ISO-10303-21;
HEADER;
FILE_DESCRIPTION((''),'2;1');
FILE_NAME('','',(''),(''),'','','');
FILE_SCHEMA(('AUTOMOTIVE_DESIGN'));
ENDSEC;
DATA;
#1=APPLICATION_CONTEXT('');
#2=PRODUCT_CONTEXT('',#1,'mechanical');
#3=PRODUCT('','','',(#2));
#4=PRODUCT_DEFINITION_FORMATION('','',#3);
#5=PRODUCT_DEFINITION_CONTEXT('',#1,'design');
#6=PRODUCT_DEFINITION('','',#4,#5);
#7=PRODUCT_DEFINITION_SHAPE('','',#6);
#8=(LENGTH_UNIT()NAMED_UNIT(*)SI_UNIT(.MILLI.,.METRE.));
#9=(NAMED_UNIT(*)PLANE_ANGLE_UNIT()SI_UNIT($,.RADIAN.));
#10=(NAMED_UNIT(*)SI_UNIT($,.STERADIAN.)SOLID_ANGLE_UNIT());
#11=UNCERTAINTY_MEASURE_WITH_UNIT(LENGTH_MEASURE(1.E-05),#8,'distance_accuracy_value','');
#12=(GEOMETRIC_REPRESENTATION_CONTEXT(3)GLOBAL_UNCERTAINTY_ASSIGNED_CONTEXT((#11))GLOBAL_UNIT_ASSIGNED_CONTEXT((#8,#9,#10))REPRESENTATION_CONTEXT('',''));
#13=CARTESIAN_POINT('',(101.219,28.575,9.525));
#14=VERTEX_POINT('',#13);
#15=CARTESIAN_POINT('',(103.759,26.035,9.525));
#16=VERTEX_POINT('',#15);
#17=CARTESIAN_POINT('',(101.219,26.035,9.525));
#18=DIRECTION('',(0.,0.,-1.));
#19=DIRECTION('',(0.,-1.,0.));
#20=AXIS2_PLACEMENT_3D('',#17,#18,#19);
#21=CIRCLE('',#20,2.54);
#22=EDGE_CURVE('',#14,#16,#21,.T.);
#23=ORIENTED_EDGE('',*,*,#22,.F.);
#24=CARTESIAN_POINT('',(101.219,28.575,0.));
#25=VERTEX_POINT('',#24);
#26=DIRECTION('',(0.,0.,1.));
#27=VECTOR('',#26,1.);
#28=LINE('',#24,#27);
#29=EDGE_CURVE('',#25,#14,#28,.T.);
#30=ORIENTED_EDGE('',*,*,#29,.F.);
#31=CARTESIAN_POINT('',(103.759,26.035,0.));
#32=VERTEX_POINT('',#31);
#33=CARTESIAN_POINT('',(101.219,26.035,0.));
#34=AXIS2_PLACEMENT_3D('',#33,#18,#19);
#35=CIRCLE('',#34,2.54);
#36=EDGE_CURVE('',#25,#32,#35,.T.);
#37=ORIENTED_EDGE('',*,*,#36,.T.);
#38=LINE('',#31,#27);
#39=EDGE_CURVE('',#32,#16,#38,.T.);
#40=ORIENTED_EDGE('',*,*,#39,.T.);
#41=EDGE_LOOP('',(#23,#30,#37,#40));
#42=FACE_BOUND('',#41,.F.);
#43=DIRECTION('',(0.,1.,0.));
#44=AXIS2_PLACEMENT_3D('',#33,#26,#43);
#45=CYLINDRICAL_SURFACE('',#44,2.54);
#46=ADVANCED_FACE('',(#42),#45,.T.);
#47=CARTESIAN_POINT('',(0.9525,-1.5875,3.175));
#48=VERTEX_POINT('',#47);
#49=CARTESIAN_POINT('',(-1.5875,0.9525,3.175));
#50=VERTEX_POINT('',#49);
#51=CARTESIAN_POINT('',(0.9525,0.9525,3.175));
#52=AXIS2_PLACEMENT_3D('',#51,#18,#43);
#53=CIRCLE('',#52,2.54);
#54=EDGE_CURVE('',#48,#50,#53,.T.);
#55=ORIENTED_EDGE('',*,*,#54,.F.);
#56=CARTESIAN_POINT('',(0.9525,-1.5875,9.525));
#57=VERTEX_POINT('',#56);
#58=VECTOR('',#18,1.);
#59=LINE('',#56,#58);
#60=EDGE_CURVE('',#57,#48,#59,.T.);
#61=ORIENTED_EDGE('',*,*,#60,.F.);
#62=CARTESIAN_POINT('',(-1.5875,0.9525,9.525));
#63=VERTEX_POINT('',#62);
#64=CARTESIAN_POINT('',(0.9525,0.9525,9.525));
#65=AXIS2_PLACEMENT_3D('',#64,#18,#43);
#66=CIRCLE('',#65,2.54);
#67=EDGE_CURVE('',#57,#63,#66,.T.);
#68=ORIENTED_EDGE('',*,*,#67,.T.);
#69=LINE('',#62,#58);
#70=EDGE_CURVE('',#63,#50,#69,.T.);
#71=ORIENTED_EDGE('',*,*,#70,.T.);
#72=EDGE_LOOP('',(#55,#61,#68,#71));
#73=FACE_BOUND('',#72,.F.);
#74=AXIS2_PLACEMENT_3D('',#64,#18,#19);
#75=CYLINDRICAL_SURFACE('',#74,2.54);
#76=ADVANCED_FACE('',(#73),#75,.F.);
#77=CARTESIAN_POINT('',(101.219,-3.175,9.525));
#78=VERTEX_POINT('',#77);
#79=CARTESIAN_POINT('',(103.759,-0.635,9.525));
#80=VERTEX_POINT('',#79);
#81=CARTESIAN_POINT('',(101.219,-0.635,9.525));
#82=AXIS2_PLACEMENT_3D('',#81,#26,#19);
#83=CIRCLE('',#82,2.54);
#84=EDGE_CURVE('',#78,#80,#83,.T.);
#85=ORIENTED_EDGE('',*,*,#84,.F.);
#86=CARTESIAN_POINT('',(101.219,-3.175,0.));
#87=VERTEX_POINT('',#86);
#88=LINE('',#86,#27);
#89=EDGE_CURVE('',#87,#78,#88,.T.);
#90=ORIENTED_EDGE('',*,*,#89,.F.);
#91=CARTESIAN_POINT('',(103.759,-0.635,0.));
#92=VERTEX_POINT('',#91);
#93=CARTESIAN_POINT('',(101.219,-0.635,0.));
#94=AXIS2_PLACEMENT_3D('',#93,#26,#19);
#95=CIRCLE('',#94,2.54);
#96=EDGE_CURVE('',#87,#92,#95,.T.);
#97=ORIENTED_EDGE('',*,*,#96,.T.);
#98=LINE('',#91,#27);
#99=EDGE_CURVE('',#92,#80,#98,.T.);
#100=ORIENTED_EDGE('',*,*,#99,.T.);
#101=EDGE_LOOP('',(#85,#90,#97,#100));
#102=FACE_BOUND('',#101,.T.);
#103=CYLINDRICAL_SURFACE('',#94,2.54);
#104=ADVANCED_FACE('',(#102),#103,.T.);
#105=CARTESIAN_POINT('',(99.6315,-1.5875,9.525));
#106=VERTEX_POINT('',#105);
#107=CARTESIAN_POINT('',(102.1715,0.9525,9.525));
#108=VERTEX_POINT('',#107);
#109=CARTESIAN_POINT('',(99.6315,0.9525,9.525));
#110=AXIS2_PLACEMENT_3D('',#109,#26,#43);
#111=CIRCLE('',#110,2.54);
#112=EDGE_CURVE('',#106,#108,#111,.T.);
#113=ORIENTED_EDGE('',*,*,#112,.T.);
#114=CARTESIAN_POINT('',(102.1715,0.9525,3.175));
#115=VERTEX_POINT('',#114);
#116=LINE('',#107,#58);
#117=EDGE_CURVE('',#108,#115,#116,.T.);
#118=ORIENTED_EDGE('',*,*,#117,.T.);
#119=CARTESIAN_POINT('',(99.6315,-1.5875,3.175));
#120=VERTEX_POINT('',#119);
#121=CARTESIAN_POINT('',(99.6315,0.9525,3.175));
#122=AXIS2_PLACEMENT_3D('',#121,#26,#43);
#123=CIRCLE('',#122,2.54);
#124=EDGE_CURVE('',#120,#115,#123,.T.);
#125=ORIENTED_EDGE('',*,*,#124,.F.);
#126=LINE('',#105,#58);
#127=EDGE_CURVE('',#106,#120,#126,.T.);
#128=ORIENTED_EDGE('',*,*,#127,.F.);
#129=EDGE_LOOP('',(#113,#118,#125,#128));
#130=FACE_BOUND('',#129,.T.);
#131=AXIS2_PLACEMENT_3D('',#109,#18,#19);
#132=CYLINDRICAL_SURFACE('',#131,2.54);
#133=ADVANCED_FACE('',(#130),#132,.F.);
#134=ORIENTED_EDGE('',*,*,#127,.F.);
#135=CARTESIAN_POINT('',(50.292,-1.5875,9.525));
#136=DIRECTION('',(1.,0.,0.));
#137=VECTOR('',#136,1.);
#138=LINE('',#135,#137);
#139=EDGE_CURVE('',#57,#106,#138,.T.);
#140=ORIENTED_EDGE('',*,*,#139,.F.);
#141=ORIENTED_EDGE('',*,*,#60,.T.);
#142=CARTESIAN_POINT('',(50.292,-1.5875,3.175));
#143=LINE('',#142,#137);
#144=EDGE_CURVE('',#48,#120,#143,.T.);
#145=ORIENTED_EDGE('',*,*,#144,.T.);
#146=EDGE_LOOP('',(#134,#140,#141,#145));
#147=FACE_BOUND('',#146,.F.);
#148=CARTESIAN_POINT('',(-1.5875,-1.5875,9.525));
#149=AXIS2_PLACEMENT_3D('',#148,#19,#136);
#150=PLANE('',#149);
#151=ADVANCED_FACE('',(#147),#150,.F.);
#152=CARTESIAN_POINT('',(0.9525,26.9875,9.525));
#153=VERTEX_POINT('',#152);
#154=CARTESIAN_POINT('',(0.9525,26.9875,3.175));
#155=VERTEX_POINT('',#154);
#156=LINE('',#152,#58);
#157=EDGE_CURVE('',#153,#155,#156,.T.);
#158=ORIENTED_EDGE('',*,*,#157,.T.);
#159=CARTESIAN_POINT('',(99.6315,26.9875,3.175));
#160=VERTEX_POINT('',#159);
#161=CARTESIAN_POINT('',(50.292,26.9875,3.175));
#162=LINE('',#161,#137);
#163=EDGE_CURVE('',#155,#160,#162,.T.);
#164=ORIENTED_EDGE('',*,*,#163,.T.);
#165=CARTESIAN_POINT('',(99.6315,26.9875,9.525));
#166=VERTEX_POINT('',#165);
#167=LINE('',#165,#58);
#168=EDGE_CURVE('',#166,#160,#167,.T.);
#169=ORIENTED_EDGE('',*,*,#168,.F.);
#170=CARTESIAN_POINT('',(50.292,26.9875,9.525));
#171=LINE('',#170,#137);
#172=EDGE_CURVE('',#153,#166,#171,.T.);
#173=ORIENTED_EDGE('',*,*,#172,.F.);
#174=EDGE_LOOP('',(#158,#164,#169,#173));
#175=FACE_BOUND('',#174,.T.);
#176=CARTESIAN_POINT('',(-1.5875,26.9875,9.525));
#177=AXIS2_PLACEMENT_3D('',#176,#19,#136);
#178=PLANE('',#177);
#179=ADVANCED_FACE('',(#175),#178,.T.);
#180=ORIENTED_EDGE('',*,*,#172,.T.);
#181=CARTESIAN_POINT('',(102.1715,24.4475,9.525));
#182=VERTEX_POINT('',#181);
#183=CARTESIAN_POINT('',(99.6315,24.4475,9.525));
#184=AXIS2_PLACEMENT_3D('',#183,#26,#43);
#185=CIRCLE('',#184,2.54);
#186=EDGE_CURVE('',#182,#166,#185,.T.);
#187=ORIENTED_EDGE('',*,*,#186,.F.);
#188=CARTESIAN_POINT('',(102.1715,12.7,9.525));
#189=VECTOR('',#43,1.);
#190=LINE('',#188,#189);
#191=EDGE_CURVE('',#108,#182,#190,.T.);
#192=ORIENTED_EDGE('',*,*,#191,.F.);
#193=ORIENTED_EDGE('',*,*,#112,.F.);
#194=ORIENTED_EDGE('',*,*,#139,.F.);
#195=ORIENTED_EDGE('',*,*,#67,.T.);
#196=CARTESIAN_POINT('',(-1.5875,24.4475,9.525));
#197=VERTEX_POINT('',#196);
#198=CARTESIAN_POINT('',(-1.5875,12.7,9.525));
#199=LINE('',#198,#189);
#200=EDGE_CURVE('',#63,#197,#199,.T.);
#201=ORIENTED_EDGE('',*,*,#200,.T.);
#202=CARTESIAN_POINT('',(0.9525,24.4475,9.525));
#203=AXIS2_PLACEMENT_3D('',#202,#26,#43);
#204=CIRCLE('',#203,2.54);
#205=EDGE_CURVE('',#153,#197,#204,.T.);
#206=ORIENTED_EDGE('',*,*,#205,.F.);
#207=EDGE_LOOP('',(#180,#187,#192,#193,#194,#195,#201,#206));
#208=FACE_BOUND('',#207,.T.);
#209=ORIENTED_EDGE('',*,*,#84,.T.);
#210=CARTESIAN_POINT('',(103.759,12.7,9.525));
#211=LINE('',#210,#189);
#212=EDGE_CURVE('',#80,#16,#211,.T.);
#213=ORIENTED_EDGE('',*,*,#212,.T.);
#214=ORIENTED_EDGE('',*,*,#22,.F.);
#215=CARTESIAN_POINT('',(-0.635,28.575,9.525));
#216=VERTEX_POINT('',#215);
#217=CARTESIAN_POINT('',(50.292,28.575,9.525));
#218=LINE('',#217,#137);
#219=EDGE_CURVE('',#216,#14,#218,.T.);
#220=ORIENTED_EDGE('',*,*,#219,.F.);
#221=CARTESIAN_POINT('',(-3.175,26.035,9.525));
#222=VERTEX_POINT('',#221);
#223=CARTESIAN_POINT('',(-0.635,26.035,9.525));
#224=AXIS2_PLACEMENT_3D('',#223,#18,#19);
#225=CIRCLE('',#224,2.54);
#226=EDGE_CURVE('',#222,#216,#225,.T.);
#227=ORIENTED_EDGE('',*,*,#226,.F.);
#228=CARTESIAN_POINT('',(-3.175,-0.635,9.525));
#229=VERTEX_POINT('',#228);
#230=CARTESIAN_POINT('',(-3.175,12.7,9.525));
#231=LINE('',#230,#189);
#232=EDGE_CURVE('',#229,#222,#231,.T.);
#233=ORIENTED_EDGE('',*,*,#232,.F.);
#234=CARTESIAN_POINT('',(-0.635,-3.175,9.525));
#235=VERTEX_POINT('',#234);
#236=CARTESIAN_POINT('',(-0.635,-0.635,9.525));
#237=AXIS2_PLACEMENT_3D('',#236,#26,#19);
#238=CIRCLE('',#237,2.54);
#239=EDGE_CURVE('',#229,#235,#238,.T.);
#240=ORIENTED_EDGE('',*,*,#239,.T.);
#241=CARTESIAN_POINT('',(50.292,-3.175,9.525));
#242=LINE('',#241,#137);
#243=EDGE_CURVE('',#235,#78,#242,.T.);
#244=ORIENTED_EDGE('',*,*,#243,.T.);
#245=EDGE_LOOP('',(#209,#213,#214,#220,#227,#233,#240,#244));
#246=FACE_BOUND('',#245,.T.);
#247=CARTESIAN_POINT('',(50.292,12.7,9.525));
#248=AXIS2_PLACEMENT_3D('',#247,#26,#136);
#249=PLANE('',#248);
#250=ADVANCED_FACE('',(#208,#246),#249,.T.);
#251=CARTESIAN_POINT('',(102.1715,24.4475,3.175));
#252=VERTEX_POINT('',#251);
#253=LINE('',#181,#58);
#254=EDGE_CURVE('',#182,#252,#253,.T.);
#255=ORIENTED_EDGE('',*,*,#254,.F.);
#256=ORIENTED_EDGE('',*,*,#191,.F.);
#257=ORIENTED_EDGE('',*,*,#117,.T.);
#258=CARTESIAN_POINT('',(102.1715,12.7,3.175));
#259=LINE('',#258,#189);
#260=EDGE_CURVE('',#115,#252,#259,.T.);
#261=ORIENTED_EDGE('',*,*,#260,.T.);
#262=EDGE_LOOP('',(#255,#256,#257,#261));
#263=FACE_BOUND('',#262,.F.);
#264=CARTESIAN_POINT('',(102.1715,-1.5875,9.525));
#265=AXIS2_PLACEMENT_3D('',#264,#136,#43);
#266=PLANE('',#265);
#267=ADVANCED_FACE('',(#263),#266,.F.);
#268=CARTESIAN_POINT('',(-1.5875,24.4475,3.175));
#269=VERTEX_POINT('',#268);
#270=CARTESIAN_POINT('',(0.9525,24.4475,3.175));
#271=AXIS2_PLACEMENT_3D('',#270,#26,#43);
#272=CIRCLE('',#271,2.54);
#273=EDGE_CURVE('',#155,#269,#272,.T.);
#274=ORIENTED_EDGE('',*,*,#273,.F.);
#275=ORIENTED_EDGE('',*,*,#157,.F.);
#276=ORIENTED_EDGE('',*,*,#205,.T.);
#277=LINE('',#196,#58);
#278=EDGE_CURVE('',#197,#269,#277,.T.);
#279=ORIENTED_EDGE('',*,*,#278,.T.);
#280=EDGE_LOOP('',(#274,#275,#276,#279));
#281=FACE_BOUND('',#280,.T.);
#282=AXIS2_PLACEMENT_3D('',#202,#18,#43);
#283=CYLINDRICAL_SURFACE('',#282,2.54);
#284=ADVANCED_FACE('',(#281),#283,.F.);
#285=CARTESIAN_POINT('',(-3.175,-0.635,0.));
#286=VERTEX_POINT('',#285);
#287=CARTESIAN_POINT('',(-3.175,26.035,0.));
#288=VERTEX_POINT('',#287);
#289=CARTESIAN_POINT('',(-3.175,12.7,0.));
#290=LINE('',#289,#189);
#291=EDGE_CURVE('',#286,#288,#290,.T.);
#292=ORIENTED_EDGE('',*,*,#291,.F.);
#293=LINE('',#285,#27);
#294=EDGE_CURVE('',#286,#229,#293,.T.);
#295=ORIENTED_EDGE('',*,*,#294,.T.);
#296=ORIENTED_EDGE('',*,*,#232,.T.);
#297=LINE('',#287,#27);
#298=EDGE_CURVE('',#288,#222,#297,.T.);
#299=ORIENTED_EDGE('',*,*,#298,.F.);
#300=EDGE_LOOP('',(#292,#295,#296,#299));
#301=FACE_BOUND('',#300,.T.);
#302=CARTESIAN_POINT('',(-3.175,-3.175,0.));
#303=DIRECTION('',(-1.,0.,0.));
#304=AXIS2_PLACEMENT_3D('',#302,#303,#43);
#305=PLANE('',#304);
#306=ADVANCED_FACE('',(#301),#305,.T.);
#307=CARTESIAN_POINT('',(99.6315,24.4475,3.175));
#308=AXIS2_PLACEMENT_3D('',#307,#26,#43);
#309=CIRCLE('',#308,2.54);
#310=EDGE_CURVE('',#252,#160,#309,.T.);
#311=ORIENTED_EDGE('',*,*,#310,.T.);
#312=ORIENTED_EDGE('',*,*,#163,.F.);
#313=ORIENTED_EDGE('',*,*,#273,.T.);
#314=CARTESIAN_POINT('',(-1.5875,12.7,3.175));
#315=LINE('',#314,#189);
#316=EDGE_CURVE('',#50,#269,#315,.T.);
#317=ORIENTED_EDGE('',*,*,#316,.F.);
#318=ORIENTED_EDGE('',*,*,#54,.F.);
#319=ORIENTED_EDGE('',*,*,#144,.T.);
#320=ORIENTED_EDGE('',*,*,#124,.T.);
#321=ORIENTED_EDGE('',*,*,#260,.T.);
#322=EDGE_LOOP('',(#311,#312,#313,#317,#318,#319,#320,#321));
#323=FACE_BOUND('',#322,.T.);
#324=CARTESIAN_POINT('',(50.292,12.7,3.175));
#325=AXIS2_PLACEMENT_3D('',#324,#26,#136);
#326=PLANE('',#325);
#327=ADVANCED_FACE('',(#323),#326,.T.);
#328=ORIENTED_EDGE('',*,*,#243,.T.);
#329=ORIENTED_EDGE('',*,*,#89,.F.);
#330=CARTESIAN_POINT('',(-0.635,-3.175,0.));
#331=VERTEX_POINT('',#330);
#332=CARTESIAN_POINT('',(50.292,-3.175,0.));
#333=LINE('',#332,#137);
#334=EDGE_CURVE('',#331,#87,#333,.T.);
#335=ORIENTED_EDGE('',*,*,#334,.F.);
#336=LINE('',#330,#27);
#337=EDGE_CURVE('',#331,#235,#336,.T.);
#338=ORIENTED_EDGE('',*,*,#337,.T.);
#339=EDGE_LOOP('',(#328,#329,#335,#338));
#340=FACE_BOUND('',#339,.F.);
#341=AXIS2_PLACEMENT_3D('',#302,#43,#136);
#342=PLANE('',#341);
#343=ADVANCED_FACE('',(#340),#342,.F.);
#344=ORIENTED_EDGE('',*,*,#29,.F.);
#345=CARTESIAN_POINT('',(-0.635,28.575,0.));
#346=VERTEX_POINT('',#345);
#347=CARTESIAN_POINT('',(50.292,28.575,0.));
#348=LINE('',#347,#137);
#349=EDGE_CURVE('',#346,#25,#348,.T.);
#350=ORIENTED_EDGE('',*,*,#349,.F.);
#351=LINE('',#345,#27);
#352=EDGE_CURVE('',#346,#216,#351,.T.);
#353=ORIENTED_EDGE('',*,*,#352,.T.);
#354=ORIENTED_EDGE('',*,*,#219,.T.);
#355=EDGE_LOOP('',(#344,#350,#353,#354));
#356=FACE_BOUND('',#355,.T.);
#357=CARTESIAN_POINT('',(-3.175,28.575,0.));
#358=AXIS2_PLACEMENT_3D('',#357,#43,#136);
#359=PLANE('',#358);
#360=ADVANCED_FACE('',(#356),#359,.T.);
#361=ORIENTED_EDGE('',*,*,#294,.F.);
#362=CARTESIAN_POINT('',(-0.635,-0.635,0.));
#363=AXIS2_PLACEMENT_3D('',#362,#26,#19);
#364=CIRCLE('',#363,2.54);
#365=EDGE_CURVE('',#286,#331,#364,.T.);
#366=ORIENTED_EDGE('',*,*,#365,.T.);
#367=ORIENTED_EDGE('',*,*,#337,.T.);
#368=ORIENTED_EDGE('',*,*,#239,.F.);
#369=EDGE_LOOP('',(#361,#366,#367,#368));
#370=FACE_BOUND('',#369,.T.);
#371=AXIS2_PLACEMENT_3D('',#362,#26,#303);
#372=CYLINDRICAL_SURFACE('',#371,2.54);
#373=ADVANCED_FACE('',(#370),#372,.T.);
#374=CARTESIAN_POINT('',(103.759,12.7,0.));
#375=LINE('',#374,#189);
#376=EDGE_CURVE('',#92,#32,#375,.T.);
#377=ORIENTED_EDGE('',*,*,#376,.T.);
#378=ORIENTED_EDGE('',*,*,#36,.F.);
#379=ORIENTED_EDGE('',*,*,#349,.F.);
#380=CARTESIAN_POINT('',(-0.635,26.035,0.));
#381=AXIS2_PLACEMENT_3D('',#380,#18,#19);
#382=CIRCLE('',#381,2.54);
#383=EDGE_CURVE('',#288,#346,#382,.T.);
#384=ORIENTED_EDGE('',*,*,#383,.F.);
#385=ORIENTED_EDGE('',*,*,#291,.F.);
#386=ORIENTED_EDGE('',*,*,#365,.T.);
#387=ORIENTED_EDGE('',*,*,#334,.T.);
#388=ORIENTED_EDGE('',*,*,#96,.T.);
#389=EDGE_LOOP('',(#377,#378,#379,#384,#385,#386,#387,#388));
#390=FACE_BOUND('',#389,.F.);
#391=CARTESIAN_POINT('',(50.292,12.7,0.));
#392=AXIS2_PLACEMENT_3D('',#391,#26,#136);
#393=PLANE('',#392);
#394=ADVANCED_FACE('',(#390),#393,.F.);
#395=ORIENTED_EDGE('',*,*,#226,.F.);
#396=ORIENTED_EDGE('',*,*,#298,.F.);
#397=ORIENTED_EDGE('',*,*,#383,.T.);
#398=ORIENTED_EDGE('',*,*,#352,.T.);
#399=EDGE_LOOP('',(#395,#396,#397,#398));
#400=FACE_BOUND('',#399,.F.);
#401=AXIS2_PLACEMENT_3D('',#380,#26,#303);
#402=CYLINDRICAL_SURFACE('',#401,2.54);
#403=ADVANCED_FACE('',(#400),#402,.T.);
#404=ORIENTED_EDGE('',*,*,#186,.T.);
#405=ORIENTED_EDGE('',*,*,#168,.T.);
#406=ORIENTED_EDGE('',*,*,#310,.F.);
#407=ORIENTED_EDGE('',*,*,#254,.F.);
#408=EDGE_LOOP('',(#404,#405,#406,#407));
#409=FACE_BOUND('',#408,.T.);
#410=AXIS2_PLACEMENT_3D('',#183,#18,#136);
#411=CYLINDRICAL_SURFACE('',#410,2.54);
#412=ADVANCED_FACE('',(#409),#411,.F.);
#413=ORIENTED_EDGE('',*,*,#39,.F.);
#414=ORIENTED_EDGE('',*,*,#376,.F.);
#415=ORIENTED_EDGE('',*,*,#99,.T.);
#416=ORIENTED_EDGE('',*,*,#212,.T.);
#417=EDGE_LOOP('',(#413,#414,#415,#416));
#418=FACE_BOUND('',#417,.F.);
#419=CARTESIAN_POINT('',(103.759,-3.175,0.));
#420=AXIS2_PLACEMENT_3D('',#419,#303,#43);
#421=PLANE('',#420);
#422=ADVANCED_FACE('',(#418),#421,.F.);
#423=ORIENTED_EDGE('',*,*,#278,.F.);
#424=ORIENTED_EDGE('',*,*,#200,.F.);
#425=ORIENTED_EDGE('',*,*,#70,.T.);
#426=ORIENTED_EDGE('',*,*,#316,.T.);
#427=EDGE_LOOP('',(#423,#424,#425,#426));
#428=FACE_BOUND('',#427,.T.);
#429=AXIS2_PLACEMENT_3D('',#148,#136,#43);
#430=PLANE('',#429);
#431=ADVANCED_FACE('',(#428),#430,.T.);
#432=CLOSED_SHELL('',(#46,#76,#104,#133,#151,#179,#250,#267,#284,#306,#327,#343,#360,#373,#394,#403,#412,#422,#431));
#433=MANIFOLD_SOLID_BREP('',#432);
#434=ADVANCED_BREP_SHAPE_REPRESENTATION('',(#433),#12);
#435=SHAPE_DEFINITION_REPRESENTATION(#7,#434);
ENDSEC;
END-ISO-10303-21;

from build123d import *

# Parameters (mm, degrees)
F0_W     = 100.584
F0_H     = 25.4
F1_DEPTH = 3.175
F0_W_2   = 106.934
F0_H_2   = 31.75
F2_DEPTH = 9.525
F3_W     = 103.759
F3_H     = 28.575
F3_W_2   = 100.584
F3_H_2   = 25.4
F4_DEPTH = 6.35
F5_R     = 2.54


with BuildPart() as f1:
    # F0 (on Top) → F1 (new body)
    with BuildSketch(Plane.XY):
        with Locations((50.292, 12.7)):
            Rectangle(F0_W, F0_H)
    extrude(amount=F1_DEPTH)

    # F0 (on Top) → F2 (join)
    with BuildSketch(Plane.XY):
        with Locations((50.292, 12.7)):
            Rectangle(F0_W_2, F0_H_2)
        with Locations((50.292, 12.7)):
            Rectangle(F0_W, F0_H, mode=Mode.SUBTRACT)
    extrude(amount=F2_DEPTH)

    # F3 (on face) → F4 (cut)
    with BuildSketch(Plane.XY.offset(9.525)):
        with Locations((50.292, 12.7)):
            Rectangle(F3_W, F3_H)
        with Locations((50.292, 12.7)):
            Rectangle(F3_W_2, F3_H_2, mode=Mode.SUBTRACT)
    extrude(amount=-F4_DEPTH, mode=Mode.SUBTRACT)

    # F5
    f5_edges = [f1.edges().sort_by_distance(p)[0] for p in [
        (-1.5875, 26.9875, 6.35),
        (-1.5875, -1.5875, 6.35),
        (102.1715, -1.5875, 6.35),
        (102.1715, 26.9875, 6.35),
        (-3.175, -3.175, 4.7625),
        (103.759, -3.175, 4.7625),
        (103.759, 28.575, 4.7625),
        (-3.175, 28.575, 4.7625),
    ]]
    fillet(f5_edges, radius=F5_R)


solid = f1.part
